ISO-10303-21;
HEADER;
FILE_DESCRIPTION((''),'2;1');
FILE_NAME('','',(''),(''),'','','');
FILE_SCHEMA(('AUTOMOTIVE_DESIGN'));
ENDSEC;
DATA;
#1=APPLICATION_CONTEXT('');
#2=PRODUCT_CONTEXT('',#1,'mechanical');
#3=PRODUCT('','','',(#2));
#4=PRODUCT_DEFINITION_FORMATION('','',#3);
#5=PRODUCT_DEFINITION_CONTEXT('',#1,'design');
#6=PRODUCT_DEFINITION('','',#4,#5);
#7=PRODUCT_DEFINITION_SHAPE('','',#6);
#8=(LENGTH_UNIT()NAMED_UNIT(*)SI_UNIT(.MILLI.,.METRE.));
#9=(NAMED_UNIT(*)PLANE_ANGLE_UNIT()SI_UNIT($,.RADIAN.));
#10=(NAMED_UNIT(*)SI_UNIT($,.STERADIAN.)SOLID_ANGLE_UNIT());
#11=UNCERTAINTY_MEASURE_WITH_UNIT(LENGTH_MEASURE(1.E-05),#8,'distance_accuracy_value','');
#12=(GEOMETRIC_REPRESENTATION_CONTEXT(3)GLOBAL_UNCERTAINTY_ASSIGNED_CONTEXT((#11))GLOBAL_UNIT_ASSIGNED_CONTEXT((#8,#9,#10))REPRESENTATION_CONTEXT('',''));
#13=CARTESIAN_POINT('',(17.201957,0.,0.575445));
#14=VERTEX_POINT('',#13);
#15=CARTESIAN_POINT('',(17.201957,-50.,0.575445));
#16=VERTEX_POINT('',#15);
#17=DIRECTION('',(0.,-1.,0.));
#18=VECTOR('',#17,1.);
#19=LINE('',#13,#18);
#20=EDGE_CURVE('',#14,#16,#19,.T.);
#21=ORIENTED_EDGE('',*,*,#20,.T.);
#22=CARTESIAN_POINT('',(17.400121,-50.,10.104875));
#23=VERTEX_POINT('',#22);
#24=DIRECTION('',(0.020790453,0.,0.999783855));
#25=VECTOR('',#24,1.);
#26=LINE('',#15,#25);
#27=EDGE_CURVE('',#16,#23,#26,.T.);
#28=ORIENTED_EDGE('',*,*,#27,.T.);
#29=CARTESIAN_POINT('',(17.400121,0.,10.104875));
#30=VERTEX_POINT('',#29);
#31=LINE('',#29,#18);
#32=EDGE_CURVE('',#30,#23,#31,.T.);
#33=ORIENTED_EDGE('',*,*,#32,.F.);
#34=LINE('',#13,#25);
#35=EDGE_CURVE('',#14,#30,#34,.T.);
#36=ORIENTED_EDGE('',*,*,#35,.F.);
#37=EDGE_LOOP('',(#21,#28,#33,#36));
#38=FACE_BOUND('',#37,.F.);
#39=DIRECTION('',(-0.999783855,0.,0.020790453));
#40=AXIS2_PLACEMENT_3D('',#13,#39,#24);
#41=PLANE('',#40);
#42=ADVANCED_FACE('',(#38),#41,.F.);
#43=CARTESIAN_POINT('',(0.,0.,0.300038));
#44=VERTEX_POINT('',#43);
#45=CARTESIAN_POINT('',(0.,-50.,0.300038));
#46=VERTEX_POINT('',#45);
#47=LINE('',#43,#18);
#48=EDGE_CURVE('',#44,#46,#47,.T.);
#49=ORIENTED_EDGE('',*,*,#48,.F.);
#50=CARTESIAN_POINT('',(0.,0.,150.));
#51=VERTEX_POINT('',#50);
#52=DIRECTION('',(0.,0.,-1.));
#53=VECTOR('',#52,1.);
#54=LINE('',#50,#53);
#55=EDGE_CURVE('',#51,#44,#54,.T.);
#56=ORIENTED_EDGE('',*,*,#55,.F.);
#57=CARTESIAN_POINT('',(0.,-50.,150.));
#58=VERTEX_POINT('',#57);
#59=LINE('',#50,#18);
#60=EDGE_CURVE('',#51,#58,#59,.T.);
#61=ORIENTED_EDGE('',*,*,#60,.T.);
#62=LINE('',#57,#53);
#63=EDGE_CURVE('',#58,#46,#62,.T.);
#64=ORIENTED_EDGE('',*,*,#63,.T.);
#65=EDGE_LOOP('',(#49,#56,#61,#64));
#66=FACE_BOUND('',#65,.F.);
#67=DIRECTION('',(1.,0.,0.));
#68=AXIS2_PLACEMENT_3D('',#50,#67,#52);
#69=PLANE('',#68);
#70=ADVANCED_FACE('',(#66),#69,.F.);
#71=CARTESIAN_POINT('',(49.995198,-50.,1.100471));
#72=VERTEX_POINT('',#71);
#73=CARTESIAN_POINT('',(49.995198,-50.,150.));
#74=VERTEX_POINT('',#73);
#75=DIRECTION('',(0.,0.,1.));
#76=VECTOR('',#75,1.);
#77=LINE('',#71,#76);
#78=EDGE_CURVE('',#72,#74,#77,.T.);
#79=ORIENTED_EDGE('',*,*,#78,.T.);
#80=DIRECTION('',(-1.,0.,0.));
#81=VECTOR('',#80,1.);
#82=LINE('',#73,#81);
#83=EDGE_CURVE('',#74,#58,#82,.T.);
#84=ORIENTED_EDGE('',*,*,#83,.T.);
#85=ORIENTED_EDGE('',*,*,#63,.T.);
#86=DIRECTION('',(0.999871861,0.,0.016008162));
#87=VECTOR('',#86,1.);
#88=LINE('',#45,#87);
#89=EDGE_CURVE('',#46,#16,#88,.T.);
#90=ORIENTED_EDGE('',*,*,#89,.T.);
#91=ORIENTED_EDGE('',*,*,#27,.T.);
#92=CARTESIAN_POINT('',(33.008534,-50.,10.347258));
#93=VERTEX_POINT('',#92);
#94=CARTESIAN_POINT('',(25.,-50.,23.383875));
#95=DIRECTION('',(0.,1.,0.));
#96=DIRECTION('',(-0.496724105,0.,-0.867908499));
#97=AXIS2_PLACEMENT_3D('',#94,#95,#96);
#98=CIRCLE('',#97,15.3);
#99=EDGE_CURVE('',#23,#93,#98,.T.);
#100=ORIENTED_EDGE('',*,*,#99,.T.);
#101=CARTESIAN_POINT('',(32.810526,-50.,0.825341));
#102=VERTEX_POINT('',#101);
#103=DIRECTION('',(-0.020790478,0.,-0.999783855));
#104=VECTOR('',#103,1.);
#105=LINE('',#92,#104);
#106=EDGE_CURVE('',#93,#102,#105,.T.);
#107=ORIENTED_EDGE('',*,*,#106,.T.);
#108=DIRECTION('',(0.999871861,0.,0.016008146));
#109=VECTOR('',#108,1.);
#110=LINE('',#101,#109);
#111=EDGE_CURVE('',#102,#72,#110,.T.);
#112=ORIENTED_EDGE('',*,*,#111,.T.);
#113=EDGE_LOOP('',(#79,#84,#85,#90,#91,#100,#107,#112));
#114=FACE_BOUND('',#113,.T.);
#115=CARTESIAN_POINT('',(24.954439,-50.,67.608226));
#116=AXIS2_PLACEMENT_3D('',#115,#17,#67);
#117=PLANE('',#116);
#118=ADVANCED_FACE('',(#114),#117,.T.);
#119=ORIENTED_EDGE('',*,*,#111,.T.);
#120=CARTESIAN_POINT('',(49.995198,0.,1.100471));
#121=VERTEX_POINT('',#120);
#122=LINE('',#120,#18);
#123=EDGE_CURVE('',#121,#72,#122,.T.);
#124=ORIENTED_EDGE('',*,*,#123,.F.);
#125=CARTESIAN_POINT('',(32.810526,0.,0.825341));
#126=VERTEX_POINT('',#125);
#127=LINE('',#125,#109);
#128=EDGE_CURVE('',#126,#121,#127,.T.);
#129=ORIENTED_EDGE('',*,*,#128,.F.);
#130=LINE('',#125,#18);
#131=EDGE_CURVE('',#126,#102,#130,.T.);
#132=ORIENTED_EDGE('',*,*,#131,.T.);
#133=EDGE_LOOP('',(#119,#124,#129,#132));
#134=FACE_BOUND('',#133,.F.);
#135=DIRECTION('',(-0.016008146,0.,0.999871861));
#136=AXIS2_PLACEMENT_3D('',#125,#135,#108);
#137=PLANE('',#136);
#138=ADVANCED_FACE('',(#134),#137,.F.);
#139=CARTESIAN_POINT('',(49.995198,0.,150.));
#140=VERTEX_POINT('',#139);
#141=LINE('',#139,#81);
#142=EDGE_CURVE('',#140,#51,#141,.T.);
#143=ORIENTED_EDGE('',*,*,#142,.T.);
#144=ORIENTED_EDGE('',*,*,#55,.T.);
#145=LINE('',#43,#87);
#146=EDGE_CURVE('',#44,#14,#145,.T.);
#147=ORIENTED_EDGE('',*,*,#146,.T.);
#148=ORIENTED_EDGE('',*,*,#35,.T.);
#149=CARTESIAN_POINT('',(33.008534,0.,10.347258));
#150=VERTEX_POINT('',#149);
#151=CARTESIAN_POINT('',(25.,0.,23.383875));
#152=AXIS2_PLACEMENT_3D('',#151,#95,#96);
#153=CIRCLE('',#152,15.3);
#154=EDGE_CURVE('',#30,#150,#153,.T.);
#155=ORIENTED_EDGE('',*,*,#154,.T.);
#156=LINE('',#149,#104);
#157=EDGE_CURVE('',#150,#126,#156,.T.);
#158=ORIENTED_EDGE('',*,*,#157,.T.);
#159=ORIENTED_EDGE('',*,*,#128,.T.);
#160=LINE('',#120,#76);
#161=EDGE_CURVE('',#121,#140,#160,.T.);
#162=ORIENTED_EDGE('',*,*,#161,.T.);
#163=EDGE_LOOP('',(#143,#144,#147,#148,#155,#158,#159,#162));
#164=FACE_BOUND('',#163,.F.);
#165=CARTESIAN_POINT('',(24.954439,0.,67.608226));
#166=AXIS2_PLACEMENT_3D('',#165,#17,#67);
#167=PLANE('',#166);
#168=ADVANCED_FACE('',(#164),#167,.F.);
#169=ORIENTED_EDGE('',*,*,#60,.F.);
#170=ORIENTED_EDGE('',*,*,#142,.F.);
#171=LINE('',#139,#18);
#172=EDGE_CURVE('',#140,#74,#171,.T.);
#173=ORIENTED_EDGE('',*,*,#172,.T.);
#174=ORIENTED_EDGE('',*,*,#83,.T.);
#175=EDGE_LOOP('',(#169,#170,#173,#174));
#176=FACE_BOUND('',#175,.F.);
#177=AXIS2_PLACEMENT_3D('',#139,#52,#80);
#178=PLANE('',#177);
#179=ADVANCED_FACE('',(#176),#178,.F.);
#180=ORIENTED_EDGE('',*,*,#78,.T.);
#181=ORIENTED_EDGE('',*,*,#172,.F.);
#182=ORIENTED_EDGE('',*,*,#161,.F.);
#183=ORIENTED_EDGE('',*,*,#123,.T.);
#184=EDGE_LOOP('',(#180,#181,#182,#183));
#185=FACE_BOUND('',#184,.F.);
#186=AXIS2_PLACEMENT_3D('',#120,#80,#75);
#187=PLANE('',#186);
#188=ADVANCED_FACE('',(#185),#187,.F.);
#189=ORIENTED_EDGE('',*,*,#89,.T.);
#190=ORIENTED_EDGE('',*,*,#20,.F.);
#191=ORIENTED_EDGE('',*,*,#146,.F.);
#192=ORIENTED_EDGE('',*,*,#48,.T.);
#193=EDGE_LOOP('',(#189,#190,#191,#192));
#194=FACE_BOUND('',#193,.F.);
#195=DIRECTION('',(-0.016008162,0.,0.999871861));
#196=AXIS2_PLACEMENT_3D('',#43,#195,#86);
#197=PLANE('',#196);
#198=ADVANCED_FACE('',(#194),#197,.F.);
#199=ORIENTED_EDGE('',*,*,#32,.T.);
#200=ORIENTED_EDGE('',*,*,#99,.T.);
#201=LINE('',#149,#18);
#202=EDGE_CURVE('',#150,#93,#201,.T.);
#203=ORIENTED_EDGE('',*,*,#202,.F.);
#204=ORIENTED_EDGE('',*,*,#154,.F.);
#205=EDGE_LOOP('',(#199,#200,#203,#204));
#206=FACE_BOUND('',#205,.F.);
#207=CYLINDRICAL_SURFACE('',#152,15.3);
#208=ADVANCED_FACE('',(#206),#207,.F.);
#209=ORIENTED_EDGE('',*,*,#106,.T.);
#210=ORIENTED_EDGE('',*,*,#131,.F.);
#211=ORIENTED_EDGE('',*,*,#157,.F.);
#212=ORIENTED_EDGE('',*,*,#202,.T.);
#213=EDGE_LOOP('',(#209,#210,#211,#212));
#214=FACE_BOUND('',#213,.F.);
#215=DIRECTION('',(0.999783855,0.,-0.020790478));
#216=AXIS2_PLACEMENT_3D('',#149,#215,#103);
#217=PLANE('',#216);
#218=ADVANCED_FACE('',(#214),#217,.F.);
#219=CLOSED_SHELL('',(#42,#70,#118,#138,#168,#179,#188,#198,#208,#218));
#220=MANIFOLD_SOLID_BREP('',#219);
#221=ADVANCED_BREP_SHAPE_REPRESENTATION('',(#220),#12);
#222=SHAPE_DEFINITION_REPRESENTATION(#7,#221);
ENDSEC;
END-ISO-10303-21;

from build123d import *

# Parameters (mm, degrees)
F1_DEPTH = 50


with BuildPart() as f1:
    # F0 (on Front) → F1 (new body)
    with BuildSketch(Plane.XZ):
        with BuildLine():
            Line((33.008534, 10.347258), (32.810526, 0.825341))
            Line((32.810526, 0.825341), (49.995198, 1.100471))
            Line((49.995198, 1.100471), (49.995198, 150))
            Line((49.995198, 150), (0, 150))
            Line((0, 150), (0, 0.300038))
            Line((0, 0.300038), (17.201957, 0.575445))
            Line((17.201957, 0.575445), (17.400121, 10.104875))
            ThreePointArc((17.400121, 10.104875), (24.762435, 38.682031), (33.008534, 10.347258))
        make_face()
    extrude(amount=F1_DEPTH)


solid = f1.part
